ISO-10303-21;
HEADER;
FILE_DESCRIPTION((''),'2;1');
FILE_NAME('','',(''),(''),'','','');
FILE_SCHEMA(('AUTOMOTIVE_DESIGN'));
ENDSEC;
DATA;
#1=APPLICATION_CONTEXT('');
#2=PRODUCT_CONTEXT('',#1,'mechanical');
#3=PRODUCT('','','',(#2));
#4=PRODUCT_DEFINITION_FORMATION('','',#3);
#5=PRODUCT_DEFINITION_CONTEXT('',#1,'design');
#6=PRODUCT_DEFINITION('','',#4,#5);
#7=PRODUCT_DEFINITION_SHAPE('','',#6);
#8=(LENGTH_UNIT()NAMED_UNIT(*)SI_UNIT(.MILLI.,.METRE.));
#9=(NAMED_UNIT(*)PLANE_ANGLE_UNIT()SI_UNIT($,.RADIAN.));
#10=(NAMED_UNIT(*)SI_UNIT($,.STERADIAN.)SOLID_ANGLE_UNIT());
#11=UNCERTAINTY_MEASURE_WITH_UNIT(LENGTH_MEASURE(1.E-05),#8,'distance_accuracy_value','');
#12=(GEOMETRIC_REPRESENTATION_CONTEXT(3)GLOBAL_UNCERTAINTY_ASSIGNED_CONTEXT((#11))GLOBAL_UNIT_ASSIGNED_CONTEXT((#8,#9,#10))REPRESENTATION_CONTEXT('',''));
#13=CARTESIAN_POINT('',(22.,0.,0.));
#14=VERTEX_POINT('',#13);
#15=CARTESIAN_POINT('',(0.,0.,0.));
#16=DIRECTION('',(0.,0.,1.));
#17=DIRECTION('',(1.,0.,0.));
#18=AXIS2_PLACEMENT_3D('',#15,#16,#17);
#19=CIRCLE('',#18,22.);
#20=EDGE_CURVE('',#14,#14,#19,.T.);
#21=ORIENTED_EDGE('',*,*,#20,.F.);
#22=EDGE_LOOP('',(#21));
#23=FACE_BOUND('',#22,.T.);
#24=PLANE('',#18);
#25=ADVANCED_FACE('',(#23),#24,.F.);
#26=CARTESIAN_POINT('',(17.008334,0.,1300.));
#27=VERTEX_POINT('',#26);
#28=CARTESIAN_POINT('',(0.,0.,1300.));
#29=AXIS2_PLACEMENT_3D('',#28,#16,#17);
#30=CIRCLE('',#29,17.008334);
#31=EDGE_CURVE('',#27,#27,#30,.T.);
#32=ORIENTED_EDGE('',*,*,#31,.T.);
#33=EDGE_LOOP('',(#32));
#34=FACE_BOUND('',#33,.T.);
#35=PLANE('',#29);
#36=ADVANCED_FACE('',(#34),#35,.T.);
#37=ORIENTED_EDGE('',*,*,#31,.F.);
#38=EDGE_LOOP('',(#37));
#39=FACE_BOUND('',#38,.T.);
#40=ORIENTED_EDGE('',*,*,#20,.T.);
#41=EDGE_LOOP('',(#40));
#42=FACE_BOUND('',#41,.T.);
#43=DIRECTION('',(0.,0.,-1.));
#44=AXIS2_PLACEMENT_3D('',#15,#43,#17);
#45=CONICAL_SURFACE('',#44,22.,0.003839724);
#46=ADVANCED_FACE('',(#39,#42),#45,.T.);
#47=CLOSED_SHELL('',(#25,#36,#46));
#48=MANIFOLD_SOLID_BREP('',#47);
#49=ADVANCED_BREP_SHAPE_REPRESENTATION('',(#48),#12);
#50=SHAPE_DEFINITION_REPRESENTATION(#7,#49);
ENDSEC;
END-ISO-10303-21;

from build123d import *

# Parameters (mm, degrees)
SKETCH1_R      = 22
NECKPOLE_DEPTH = 1300
NECKPOLE_TAPER = 0.22


with BuildPart() as part:
    # Sketch1 → NeckPole (new body)
    with BuildSketch(Plane.XY):
        Circle(SKETCH1_R)
    extrude(amount=NECKPOLE_DEPTH, taper=NECKPOLE_TAPER)


solid = part.part
